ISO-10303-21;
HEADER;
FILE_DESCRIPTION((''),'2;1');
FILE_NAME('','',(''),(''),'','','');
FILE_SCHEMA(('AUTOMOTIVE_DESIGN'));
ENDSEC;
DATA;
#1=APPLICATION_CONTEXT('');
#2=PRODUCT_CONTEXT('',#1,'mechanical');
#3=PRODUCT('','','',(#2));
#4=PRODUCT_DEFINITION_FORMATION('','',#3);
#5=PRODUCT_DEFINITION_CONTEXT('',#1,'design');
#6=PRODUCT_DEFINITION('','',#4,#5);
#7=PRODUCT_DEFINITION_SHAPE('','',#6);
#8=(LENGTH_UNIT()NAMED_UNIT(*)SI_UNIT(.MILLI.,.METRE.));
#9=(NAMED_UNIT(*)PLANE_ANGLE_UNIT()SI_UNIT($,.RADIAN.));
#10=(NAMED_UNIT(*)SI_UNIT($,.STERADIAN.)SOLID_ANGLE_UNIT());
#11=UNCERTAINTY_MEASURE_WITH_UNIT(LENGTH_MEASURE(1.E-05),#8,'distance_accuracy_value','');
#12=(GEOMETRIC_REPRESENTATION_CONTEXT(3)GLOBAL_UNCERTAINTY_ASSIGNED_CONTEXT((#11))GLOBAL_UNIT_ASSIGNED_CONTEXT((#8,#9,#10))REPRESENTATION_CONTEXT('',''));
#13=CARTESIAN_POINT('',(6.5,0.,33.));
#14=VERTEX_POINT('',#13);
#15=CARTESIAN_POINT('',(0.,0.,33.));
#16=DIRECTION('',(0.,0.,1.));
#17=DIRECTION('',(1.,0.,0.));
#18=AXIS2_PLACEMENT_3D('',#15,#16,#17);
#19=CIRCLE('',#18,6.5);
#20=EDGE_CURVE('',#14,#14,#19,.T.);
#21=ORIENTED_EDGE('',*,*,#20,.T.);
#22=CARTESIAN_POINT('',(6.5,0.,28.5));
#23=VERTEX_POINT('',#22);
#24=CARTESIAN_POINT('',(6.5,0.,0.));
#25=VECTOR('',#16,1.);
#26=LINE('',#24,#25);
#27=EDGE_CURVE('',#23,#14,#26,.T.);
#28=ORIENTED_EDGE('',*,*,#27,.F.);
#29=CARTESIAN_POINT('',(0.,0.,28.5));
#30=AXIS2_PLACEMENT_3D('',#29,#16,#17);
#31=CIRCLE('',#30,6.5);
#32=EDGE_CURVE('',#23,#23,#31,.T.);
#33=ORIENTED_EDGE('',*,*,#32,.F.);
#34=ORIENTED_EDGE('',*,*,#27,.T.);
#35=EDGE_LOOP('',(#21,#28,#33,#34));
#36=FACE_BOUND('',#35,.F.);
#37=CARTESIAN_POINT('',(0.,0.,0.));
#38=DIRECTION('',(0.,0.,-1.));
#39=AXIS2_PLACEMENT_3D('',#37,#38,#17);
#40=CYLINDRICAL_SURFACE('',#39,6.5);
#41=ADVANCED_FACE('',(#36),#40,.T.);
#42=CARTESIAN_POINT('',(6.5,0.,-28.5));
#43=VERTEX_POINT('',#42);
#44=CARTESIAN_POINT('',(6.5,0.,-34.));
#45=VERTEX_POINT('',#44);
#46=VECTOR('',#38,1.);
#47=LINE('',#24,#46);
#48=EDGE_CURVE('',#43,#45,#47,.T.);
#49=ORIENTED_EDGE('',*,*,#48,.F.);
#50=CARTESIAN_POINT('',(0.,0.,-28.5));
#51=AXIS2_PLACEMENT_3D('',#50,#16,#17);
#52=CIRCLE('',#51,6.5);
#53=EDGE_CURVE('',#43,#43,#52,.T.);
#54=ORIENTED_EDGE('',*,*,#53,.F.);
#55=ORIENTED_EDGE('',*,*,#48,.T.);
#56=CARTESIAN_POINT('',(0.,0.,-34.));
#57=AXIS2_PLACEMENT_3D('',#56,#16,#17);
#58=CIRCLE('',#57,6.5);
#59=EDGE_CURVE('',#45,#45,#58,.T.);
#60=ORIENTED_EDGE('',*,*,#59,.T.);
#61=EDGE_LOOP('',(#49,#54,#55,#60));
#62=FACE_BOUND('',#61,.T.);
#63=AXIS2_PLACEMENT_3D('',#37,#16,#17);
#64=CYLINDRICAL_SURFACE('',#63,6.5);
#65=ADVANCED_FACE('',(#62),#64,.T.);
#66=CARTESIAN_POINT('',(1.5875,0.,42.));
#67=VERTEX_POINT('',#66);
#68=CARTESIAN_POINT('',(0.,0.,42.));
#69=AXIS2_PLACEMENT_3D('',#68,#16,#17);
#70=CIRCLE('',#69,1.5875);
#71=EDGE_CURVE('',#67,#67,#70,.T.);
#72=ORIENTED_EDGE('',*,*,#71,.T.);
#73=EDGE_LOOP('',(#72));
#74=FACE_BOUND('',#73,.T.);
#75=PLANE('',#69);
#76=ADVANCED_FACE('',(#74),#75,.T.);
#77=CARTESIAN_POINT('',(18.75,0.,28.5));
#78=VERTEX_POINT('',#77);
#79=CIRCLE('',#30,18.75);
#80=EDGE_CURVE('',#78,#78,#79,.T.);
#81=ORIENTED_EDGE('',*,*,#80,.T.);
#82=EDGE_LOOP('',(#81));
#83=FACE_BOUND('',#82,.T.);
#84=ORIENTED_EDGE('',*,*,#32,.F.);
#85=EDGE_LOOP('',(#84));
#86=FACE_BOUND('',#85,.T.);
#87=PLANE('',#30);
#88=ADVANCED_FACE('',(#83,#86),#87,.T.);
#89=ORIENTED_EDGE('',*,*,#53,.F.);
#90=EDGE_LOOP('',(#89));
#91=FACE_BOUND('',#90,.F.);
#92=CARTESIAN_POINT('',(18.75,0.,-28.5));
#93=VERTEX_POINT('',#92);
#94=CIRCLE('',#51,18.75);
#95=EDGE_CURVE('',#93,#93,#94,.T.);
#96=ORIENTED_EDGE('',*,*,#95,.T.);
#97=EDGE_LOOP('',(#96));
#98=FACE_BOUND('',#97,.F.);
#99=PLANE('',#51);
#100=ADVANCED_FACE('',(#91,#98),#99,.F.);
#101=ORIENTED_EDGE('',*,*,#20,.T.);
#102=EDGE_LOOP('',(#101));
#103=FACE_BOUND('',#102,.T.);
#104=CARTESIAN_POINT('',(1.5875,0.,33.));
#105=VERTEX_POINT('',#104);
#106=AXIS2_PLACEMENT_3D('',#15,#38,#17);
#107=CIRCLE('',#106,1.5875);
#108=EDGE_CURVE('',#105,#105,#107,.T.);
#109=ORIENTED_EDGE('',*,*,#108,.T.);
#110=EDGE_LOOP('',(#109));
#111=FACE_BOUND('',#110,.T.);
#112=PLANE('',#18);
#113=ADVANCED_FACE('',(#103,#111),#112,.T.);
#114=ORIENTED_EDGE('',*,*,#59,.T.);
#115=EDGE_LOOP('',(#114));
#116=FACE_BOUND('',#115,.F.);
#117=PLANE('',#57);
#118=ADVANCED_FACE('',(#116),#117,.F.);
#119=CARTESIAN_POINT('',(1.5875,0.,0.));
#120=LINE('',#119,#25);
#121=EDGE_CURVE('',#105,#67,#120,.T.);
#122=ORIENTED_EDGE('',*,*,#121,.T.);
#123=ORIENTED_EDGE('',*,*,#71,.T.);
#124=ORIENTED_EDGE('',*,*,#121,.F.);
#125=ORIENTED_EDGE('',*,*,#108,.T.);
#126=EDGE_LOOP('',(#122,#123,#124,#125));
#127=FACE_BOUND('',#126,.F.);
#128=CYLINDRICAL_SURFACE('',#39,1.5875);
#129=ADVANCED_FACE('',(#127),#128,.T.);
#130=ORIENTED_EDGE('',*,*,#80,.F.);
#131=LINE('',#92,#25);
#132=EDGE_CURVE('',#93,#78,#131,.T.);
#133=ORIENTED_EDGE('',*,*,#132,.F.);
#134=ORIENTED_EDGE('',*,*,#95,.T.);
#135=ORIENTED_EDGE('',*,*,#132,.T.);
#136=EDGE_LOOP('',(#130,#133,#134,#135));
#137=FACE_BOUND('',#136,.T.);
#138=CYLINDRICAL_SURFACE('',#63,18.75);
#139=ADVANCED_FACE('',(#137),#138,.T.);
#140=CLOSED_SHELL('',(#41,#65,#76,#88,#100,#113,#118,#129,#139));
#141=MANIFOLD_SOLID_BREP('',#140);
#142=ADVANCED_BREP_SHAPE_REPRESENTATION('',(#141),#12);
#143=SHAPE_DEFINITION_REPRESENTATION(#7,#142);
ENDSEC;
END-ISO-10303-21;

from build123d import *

# Parameters (mm, degrees)
F0_R     = 6.5
F1_DEPTH = 33
F0_R_2   = 18.75
F2_DEPTH = 28.5
F3_R     = 6.5
F4_DEPTH = 34
F5_R     = 1.5875
F6_DEPTH = 42


with BuildPart() as f1:
    # F0 (on Top) → F1 (new body)
    with BuildSketch(Plane.XY):
        Circle(F0_R)
    extrude(amount=F1_DEPTH)

    # F0 (on Top) → F2 (join, symmetric)
    with BuildSketch(Plane.XY):
        Circle(F0_R_2)
        Circle(F0_R, mode=Mode.SUBTRACT)
    extrude(amount=F2_DEPTH, both=True)

    # F3 (on Top) → F4 (join)
    with BuildSketch(Plane.XY):
        Circle(F3_R)
    extrude(amount=-F4_DEPTH)

    # F5 (on Top) → F6 (join)
    with BuildSketch(Plane.XY):
        Circle(F5_R)
    extrude(amount=F6_DEPTH)


solid = f1.part
